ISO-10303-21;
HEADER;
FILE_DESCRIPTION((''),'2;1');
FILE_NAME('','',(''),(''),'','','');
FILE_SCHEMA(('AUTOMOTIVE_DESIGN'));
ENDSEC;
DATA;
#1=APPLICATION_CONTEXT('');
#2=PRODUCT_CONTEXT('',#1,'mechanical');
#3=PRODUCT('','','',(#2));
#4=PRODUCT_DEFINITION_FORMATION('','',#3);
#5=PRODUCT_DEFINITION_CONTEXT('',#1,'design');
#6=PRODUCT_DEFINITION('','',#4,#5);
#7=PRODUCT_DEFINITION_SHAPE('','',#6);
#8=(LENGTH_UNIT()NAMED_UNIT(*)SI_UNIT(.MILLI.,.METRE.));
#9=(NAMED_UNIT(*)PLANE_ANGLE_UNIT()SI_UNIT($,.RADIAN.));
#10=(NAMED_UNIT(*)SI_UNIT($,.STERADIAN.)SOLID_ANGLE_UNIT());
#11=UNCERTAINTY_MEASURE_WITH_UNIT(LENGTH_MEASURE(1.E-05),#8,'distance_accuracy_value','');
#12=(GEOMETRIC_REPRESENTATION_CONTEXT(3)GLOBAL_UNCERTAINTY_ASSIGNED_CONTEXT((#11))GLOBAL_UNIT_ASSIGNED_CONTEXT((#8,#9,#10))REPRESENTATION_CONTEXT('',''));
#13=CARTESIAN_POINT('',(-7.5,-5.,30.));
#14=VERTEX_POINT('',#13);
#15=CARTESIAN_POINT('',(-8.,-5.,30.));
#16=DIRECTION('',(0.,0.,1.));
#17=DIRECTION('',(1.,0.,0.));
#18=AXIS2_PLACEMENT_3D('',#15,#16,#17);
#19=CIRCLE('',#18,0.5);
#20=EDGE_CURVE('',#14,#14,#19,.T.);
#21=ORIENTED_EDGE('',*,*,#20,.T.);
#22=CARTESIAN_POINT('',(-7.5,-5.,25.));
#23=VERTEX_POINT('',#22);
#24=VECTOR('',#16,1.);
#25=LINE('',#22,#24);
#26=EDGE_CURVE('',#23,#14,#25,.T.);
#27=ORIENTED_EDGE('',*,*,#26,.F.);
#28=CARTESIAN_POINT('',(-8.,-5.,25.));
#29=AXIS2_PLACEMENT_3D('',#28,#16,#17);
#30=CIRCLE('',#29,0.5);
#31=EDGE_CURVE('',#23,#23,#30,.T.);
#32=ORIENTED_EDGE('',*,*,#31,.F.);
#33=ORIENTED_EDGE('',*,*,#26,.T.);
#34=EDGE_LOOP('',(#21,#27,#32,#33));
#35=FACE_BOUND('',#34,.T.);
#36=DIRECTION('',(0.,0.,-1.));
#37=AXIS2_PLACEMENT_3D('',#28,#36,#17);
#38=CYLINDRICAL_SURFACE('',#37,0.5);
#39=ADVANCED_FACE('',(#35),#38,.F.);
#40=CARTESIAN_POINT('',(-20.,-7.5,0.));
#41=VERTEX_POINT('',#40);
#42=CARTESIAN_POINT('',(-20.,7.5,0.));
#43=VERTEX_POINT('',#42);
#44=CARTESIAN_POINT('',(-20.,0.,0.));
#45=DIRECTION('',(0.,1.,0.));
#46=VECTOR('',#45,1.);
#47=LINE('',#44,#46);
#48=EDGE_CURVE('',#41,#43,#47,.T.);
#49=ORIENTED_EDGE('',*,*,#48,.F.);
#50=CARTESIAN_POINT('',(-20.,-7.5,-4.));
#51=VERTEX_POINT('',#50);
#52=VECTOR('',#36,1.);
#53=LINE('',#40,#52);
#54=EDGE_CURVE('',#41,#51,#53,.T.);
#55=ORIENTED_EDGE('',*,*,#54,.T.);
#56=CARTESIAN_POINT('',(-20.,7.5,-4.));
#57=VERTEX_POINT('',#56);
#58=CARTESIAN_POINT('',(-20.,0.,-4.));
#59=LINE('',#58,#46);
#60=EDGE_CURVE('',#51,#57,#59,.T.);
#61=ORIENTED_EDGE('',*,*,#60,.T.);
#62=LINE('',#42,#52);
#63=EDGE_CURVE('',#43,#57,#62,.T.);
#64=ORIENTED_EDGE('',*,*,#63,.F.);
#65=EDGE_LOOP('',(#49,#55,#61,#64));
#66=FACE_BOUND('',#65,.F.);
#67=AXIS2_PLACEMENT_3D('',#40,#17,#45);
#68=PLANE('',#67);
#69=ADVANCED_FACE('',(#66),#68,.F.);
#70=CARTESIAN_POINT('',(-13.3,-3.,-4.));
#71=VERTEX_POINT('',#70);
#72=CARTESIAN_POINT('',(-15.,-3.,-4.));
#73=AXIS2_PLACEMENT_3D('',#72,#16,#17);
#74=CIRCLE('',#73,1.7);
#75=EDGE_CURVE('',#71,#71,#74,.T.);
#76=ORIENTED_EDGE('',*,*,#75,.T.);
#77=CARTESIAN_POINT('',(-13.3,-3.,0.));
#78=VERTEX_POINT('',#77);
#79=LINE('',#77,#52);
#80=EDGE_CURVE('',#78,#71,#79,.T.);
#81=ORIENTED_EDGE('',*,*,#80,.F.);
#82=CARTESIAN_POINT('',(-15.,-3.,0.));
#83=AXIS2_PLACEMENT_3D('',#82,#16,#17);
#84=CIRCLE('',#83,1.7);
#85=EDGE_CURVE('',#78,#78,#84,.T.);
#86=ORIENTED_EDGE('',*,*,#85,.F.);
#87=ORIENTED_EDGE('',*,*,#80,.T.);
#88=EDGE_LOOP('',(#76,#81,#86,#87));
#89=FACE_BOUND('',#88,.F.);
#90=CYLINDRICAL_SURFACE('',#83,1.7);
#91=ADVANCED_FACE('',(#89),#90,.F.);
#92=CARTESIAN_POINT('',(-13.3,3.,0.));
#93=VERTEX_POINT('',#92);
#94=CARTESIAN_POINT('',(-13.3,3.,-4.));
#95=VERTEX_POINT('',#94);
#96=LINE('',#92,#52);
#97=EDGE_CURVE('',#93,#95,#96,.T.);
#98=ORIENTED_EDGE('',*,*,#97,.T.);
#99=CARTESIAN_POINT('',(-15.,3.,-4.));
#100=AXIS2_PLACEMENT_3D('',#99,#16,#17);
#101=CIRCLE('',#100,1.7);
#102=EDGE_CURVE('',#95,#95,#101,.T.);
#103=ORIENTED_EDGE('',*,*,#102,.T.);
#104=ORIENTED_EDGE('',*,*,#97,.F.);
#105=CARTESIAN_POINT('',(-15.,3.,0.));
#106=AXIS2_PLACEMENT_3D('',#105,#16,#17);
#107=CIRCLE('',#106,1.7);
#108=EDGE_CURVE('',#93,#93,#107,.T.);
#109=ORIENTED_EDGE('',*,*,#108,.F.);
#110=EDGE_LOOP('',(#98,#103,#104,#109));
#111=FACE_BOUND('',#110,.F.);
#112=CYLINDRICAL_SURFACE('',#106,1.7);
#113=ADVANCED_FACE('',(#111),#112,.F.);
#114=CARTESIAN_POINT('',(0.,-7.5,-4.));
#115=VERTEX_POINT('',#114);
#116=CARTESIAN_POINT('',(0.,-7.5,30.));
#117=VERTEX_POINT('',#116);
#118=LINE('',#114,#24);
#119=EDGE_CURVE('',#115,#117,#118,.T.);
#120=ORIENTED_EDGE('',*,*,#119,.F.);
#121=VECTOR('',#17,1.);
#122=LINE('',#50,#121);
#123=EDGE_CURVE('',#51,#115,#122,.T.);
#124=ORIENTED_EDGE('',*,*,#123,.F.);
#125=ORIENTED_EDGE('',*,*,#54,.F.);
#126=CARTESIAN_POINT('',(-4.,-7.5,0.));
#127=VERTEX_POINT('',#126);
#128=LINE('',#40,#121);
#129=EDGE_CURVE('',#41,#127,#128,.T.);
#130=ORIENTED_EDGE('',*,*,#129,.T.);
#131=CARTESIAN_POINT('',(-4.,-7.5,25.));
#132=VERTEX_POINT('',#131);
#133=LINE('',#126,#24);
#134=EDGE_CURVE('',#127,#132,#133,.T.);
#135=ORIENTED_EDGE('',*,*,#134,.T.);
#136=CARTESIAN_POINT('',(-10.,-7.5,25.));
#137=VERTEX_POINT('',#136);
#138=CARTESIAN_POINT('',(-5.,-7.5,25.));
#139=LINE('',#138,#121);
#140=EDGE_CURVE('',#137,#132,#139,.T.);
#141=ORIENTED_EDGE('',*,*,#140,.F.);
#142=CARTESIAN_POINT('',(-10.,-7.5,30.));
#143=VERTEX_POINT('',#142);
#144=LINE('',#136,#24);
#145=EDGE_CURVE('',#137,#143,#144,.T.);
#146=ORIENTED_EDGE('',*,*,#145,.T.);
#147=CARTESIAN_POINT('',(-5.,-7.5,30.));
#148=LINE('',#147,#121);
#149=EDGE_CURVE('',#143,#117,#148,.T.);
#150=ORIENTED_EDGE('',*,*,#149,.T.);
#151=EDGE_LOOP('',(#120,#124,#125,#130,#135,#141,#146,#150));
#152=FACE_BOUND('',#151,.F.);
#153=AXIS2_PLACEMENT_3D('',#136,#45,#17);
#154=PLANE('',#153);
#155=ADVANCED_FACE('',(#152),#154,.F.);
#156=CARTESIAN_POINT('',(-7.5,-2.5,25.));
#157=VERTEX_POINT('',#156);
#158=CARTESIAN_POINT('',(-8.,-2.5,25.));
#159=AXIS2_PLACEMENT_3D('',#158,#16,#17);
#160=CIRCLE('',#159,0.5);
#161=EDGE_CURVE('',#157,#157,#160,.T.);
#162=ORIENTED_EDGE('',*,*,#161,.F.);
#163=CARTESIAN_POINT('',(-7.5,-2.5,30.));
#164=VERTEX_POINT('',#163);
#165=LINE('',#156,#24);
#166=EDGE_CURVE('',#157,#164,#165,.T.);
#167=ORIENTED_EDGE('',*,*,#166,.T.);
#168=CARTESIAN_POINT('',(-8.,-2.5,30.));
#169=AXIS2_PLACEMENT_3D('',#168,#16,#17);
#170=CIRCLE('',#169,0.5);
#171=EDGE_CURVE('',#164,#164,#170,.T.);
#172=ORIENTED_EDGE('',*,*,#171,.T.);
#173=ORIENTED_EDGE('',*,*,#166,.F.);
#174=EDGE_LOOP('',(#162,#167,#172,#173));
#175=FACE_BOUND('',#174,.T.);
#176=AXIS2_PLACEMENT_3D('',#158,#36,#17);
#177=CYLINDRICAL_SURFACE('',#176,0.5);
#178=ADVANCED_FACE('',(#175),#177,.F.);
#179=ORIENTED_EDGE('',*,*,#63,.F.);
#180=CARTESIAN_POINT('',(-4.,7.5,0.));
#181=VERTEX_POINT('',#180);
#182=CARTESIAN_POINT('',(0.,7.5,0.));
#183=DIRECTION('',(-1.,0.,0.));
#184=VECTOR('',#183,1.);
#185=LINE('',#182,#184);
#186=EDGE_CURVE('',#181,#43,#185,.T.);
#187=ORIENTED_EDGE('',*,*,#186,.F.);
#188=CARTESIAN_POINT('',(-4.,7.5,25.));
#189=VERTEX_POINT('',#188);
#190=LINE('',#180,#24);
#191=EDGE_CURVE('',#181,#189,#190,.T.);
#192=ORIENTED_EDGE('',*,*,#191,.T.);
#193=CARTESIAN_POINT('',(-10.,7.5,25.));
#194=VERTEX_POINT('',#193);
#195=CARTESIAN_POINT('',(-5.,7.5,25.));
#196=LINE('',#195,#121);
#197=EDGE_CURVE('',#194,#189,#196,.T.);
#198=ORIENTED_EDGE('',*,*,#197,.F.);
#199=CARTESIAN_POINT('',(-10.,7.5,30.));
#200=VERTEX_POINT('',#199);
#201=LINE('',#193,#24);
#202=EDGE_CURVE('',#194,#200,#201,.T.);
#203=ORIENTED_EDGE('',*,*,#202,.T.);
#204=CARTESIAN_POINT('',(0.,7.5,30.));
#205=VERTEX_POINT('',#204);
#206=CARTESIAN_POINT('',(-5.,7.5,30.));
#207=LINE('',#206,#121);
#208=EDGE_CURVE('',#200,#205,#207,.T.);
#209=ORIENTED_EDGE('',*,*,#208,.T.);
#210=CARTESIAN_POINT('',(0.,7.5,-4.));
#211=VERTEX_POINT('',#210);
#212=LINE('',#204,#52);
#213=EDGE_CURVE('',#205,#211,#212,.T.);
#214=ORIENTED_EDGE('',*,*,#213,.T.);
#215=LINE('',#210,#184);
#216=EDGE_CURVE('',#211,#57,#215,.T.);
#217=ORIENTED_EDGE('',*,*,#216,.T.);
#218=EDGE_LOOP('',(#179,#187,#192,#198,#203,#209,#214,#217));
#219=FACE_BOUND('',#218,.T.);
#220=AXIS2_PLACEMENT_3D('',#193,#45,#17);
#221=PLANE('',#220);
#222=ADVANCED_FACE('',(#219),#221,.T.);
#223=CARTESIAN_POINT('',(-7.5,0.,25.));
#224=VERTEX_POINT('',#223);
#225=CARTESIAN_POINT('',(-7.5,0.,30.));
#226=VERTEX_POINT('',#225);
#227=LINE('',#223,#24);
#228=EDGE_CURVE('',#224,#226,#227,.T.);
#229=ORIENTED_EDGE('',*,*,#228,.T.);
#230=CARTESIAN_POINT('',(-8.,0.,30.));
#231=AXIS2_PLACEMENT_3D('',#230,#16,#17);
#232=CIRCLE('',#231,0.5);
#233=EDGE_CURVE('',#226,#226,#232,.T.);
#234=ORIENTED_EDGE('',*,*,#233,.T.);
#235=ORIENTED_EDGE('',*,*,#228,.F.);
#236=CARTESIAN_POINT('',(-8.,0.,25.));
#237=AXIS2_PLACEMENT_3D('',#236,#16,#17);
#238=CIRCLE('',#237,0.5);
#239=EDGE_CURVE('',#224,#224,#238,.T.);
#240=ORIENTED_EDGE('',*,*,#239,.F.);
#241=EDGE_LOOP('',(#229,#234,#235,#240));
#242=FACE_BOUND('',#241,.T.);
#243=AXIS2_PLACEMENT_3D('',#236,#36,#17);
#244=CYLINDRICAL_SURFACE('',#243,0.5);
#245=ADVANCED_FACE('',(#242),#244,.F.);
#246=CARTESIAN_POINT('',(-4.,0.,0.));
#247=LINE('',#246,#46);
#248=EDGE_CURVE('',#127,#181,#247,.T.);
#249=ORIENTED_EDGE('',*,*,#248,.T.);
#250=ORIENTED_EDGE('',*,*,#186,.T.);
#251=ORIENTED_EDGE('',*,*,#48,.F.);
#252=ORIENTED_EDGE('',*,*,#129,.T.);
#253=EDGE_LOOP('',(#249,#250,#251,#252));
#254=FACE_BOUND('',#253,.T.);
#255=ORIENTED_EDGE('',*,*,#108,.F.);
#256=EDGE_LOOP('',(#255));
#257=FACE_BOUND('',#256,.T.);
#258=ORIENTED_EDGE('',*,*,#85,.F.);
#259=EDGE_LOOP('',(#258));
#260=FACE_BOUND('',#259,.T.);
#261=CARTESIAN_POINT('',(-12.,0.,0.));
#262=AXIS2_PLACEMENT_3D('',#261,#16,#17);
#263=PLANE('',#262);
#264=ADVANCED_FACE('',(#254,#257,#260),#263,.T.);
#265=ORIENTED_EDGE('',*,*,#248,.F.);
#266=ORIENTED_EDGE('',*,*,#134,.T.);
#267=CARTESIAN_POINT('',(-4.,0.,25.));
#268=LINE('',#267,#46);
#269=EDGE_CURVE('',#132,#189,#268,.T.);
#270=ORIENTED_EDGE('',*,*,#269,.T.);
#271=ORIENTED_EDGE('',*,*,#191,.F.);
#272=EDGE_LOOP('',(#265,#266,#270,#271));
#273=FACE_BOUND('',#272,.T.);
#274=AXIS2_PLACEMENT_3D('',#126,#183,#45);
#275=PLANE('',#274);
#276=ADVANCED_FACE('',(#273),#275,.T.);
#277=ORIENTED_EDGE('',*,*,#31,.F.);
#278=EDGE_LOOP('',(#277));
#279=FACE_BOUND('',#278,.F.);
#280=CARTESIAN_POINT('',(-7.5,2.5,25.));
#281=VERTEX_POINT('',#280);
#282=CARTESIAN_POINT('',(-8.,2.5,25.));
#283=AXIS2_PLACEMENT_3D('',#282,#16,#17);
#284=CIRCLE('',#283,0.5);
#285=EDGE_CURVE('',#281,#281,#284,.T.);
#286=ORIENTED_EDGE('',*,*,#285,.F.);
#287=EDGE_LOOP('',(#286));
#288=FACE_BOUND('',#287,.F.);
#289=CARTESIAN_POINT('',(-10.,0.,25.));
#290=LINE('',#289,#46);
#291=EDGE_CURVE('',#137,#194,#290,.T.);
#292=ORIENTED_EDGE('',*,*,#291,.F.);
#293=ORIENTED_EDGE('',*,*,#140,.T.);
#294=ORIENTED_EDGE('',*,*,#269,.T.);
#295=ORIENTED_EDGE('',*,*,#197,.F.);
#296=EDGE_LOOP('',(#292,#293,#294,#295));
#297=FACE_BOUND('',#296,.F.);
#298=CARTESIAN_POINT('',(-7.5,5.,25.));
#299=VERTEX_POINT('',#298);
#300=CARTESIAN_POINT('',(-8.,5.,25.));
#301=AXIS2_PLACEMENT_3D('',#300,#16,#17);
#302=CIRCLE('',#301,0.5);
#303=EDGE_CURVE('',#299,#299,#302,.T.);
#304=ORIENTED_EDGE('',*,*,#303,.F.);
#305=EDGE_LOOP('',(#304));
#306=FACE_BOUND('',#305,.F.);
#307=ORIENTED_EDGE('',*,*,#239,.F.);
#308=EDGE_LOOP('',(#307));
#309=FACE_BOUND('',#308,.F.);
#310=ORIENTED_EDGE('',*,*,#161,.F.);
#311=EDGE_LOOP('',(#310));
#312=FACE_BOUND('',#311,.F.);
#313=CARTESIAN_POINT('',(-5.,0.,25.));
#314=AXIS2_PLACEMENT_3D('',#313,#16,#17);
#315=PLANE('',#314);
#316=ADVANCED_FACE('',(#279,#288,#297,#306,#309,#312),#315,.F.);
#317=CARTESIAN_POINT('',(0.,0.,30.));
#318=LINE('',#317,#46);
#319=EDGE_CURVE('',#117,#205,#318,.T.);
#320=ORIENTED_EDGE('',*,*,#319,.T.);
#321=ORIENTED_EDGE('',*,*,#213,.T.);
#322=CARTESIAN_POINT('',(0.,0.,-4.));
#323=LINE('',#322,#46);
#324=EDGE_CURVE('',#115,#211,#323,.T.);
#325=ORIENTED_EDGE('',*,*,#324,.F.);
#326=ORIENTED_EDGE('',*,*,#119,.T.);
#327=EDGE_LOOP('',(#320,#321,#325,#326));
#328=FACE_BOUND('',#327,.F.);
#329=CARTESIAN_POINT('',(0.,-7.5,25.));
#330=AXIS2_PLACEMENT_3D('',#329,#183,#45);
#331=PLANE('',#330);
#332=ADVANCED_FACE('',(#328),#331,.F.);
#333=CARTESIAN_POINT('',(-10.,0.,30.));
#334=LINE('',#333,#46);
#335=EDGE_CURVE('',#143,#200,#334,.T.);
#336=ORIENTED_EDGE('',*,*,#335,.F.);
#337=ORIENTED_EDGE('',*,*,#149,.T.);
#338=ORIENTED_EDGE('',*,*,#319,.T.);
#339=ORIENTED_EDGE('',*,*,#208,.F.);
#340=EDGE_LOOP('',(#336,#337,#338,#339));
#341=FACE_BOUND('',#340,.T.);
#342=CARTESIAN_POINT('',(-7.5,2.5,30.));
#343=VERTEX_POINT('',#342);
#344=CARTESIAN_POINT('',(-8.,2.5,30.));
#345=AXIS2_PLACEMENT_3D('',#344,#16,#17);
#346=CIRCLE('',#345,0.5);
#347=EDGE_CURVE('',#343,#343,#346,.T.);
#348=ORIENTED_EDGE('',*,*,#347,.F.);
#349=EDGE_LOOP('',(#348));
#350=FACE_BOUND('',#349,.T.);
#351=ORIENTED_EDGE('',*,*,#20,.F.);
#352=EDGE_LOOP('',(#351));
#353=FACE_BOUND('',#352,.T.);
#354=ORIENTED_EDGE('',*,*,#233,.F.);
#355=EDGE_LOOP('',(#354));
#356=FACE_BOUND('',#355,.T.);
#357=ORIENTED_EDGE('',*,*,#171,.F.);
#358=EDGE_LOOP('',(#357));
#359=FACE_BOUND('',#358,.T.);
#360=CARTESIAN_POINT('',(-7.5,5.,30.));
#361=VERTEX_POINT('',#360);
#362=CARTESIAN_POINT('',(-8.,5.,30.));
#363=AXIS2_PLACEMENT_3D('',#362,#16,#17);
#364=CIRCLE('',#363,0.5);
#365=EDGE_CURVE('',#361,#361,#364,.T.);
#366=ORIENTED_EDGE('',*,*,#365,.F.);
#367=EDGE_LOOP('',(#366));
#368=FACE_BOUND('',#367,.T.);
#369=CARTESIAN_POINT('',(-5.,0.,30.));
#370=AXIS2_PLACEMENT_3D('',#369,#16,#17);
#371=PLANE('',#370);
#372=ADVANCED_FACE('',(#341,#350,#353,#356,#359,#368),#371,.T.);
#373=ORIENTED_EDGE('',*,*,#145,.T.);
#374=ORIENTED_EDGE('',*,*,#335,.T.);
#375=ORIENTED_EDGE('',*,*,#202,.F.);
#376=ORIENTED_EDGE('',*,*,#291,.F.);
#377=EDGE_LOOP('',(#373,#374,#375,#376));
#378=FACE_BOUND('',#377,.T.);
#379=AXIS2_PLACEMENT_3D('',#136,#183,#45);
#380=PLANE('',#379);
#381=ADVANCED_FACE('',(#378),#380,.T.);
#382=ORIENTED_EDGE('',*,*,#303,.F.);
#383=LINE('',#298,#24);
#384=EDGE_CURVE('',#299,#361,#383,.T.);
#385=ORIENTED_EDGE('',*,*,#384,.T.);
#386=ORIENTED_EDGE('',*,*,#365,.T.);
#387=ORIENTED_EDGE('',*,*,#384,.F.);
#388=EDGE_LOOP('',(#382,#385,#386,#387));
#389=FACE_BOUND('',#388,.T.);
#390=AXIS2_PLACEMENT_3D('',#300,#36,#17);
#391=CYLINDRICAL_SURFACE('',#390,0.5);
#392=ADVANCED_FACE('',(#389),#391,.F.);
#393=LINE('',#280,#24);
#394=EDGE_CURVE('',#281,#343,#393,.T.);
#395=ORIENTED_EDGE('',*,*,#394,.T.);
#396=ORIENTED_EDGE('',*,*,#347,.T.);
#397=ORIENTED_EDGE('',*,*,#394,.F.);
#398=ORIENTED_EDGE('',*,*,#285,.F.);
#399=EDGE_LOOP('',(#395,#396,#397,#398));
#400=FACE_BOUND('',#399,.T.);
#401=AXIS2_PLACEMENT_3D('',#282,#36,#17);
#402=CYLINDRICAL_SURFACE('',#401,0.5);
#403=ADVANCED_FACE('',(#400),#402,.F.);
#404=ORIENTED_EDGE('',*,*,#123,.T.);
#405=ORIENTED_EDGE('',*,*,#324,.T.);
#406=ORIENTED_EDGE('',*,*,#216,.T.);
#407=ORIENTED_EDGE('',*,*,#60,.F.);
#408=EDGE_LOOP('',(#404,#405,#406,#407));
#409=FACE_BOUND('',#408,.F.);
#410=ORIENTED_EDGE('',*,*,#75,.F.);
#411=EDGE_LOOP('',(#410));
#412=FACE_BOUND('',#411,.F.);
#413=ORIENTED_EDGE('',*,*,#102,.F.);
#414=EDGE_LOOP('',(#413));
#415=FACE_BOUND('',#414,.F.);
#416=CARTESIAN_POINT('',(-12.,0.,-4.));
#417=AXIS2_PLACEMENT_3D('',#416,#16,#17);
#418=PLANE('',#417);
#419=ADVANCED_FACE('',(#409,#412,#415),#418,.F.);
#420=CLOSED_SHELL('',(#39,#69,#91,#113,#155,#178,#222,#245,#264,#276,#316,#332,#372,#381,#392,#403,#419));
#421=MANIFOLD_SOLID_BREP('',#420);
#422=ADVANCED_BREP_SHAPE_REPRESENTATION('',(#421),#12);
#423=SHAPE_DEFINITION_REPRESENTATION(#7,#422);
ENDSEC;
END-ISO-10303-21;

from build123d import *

# Parameters (mm, degrees)
F0_W     = 16
F0_H     = 15
F0_R     = 1.7
F0_W_2   = 4
F1_DEPTH = 4
F2_DEPTH = 25
F3_W     = 10
F3_H     = 15
F3_R     = 0.5
F4_DEPTH = 5


with BuildPart() as f1:
    # F0 (on Top) → F1 (new body)
    with BuildSketch(Plane.XY):
        with Locations((-12, 0)):
            Rectangle(F0_W, F0_H)
        with Locations((-15, -3)):
            Circle(F0_R, mode=Mode.SUBTRACT)
        with Locations((-15, 3)):
            Circle(F0_R, mode=Mode.SUBTRACT)
        with Locations((-2, 0)):
            Rectangle(F0_W_2, F0_H)
    extrude(amount=-F1_DEPTH)

    # F0 (on Top) → F2 (join)
    with BuildSketch(Plane.XY):
        with Locations((-2, 0)):
            Rectangle(F0_W_2, F0_H)
    extrude(amount=F2_DEPTH)

    # F3 (on face) → F4 (join)
    with BuildSketch(Plane.XY.offset(25)):
        with Locations((-5, 0)):
            Rectangle(F3_W, F3_H)
        with Locations((-8, -5)):
            Circle(F3_R, mode=Mode.SUBTRACT)
        with Locations((-8, -2.5)):
            Circle(F3_R, mode=Mode.SUBTRACT)
        with Locations((-8, 0)):
            Circle(F3_R, mode=Mode.SUBTRACT)
        with Locations((-8, 2.5)):
            Circle(F3_R, mode=Mode.SUBTRACT)
        with Locations((-8, 5)):
            Circle(F3_R, mode=Mode.SUBTRACT)
    extrude(amount=F4_DEPTH)


solid = f1.part
